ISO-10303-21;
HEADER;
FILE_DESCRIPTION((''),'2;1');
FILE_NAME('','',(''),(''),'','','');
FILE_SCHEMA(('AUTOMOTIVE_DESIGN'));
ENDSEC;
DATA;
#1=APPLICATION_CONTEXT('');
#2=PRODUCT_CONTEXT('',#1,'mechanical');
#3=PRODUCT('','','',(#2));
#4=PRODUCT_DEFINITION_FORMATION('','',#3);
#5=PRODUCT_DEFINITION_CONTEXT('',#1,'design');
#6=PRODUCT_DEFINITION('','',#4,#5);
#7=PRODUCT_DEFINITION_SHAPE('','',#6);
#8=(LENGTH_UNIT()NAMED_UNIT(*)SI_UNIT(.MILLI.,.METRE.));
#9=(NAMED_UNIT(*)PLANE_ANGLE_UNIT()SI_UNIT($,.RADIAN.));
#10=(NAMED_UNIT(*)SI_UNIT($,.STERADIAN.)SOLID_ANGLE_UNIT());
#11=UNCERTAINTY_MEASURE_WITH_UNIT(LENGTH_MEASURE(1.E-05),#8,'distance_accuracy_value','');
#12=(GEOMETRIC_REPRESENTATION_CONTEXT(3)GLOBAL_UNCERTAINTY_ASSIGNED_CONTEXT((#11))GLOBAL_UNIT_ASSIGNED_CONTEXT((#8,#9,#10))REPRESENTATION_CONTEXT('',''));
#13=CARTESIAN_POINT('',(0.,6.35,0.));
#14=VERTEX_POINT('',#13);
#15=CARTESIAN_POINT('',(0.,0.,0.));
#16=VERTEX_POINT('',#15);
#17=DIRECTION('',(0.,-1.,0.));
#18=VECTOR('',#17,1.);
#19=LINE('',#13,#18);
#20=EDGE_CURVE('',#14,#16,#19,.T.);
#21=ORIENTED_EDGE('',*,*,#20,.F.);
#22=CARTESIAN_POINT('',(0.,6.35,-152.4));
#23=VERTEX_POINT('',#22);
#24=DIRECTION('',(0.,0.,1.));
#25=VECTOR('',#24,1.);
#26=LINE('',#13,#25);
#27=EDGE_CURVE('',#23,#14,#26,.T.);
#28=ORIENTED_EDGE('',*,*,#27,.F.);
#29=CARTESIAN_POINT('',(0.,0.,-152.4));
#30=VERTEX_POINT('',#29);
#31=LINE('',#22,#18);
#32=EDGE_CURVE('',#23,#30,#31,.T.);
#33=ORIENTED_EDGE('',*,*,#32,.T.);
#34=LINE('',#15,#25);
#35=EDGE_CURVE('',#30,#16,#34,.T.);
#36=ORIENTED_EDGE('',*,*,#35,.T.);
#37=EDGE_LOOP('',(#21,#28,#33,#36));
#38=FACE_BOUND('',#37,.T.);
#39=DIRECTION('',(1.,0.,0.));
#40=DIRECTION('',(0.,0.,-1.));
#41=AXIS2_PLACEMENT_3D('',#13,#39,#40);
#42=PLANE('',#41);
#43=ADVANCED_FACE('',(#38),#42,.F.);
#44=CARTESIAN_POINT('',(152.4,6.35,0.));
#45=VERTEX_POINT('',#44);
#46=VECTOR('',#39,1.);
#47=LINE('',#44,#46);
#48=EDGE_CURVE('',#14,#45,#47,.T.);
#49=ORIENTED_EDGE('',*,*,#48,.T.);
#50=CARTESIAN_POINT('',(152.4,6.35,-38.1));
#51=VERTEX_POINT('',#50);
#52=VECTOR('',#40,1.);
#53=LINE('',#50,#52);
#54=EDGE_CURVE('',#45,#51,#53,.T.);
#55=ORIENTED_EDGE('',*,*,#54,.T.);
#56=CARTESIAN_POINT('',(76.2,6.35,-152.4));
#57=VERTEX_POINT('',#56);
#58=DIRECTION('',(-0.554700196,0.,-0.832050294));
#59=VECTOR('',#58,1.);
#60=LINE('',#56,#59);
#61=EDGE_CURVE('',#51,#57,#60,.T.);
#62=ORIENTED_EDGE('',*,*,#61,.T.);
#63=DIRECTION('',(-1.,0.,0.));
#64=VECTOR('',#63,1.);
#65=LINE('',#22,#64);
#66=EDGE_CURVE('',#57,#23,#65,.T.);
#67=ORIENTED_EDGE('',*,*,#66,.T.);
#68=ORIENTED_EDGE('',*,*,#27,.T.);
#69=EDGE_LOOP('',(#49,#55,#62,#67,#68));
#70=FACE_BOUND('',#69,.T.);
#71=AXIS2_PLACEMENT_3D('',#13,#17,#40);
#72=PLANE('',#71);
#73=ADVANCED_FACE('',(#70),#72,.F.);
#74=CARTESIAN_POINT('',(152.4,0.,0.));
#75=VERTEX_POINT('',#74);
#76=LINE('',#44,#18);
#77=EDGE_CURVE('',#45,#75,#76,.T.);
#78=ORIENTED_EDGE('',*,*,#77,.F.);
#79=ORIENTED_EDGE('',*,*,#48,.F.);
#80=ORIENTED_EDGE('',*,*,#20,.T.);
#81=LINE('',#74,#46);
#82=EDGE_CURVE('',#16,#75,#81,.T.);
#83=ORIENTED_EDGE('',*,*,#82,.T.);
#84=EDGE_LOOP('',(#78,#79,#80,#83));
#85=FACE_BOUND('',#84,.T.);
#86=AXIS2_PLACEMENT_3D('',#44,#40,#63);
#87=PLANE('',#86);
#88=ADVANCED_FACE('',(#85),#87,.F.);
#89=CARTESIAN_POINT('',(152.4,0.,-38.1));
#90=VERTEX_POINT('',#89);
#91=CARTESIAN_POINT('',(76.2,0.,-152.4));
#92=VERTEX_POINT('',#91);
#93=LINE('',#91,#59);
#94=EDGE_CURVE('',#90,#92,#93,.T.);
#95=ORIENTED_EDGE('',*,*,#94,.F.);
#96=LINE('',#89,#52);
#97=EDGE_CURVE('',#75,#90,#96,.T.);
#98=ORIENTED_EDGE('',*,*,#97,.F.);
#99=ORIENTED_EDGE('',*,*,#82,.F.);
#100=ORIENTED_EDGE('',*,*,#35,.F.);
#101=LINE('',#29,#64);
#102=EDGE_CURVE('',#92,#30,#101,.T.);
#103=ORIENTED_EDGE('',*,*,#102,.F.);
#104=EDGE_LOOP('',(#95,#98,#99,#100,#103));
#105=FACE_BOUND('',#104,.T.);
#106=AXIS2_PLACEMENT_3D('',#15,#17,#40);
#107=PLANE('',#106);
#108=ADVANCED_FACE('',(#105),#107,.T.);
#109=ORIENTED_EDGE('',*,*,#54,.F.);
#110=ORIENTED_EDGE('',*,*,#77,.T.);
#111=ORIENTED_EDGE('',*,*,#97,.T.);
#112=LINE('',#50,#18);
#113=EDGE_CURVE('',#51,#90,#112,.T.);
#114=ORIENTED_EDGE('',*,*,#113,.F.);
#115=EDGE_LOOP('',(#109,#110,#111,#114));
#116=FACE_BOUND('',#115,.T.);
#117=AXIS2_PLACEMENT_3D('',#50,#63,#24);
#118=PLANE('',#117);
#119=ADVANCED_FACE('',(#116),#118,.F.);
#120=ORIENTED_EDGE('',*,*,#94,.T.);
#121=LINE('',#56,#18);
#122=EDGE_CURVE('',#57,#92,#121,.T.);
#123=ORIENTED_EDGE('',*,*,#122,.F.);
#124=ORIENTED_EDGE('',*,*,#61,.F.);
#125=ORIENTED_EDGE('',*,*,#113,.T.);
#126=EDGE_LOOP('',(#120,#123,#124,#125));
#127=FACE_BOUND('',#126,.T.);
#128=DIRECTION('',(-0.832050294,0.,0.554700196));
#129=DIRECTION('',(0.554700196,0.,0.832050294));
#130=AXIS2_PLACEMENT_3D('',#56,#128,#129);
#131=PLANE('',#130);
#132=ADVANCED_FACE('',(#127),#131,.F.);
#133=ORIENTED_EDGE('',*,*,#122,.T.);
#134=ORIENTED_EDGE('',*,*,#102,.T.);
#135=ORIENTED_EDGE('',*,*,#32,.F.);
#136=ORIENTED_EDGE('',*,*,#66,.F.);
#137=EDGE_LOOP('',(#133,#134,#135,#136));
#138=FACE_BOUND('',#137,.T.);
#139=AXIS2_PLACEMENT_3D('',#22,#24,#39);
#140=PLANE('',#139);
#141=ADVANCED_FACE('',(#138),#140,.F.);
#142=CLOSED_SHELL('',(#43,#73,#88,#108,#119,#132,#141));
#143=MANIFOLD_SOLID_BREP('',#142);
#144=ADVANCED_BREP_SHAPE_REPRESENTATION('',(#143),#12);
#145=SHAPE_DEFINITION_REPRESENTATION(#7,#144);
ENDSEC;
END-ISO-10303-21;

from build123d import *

# Parameters (mm, degrees)
EXTRUDE1_DEPTH = 6.35


with BuildPart() as part:
    # Sketch1 → Extrude1 (new body)
    with BuildSketch(Plane(origin=(0, 0, 0), x_dir=(1, 0, 0), z_dir=(0, 1, 0))):
        Polygon((0, 0), (0, 152.4), (76.2, 152.4), (152.4, 38.1), (152.4, 0), align=None)
    extrude(amount=EXTRUDE1_DEPTH)


solid = part.part
